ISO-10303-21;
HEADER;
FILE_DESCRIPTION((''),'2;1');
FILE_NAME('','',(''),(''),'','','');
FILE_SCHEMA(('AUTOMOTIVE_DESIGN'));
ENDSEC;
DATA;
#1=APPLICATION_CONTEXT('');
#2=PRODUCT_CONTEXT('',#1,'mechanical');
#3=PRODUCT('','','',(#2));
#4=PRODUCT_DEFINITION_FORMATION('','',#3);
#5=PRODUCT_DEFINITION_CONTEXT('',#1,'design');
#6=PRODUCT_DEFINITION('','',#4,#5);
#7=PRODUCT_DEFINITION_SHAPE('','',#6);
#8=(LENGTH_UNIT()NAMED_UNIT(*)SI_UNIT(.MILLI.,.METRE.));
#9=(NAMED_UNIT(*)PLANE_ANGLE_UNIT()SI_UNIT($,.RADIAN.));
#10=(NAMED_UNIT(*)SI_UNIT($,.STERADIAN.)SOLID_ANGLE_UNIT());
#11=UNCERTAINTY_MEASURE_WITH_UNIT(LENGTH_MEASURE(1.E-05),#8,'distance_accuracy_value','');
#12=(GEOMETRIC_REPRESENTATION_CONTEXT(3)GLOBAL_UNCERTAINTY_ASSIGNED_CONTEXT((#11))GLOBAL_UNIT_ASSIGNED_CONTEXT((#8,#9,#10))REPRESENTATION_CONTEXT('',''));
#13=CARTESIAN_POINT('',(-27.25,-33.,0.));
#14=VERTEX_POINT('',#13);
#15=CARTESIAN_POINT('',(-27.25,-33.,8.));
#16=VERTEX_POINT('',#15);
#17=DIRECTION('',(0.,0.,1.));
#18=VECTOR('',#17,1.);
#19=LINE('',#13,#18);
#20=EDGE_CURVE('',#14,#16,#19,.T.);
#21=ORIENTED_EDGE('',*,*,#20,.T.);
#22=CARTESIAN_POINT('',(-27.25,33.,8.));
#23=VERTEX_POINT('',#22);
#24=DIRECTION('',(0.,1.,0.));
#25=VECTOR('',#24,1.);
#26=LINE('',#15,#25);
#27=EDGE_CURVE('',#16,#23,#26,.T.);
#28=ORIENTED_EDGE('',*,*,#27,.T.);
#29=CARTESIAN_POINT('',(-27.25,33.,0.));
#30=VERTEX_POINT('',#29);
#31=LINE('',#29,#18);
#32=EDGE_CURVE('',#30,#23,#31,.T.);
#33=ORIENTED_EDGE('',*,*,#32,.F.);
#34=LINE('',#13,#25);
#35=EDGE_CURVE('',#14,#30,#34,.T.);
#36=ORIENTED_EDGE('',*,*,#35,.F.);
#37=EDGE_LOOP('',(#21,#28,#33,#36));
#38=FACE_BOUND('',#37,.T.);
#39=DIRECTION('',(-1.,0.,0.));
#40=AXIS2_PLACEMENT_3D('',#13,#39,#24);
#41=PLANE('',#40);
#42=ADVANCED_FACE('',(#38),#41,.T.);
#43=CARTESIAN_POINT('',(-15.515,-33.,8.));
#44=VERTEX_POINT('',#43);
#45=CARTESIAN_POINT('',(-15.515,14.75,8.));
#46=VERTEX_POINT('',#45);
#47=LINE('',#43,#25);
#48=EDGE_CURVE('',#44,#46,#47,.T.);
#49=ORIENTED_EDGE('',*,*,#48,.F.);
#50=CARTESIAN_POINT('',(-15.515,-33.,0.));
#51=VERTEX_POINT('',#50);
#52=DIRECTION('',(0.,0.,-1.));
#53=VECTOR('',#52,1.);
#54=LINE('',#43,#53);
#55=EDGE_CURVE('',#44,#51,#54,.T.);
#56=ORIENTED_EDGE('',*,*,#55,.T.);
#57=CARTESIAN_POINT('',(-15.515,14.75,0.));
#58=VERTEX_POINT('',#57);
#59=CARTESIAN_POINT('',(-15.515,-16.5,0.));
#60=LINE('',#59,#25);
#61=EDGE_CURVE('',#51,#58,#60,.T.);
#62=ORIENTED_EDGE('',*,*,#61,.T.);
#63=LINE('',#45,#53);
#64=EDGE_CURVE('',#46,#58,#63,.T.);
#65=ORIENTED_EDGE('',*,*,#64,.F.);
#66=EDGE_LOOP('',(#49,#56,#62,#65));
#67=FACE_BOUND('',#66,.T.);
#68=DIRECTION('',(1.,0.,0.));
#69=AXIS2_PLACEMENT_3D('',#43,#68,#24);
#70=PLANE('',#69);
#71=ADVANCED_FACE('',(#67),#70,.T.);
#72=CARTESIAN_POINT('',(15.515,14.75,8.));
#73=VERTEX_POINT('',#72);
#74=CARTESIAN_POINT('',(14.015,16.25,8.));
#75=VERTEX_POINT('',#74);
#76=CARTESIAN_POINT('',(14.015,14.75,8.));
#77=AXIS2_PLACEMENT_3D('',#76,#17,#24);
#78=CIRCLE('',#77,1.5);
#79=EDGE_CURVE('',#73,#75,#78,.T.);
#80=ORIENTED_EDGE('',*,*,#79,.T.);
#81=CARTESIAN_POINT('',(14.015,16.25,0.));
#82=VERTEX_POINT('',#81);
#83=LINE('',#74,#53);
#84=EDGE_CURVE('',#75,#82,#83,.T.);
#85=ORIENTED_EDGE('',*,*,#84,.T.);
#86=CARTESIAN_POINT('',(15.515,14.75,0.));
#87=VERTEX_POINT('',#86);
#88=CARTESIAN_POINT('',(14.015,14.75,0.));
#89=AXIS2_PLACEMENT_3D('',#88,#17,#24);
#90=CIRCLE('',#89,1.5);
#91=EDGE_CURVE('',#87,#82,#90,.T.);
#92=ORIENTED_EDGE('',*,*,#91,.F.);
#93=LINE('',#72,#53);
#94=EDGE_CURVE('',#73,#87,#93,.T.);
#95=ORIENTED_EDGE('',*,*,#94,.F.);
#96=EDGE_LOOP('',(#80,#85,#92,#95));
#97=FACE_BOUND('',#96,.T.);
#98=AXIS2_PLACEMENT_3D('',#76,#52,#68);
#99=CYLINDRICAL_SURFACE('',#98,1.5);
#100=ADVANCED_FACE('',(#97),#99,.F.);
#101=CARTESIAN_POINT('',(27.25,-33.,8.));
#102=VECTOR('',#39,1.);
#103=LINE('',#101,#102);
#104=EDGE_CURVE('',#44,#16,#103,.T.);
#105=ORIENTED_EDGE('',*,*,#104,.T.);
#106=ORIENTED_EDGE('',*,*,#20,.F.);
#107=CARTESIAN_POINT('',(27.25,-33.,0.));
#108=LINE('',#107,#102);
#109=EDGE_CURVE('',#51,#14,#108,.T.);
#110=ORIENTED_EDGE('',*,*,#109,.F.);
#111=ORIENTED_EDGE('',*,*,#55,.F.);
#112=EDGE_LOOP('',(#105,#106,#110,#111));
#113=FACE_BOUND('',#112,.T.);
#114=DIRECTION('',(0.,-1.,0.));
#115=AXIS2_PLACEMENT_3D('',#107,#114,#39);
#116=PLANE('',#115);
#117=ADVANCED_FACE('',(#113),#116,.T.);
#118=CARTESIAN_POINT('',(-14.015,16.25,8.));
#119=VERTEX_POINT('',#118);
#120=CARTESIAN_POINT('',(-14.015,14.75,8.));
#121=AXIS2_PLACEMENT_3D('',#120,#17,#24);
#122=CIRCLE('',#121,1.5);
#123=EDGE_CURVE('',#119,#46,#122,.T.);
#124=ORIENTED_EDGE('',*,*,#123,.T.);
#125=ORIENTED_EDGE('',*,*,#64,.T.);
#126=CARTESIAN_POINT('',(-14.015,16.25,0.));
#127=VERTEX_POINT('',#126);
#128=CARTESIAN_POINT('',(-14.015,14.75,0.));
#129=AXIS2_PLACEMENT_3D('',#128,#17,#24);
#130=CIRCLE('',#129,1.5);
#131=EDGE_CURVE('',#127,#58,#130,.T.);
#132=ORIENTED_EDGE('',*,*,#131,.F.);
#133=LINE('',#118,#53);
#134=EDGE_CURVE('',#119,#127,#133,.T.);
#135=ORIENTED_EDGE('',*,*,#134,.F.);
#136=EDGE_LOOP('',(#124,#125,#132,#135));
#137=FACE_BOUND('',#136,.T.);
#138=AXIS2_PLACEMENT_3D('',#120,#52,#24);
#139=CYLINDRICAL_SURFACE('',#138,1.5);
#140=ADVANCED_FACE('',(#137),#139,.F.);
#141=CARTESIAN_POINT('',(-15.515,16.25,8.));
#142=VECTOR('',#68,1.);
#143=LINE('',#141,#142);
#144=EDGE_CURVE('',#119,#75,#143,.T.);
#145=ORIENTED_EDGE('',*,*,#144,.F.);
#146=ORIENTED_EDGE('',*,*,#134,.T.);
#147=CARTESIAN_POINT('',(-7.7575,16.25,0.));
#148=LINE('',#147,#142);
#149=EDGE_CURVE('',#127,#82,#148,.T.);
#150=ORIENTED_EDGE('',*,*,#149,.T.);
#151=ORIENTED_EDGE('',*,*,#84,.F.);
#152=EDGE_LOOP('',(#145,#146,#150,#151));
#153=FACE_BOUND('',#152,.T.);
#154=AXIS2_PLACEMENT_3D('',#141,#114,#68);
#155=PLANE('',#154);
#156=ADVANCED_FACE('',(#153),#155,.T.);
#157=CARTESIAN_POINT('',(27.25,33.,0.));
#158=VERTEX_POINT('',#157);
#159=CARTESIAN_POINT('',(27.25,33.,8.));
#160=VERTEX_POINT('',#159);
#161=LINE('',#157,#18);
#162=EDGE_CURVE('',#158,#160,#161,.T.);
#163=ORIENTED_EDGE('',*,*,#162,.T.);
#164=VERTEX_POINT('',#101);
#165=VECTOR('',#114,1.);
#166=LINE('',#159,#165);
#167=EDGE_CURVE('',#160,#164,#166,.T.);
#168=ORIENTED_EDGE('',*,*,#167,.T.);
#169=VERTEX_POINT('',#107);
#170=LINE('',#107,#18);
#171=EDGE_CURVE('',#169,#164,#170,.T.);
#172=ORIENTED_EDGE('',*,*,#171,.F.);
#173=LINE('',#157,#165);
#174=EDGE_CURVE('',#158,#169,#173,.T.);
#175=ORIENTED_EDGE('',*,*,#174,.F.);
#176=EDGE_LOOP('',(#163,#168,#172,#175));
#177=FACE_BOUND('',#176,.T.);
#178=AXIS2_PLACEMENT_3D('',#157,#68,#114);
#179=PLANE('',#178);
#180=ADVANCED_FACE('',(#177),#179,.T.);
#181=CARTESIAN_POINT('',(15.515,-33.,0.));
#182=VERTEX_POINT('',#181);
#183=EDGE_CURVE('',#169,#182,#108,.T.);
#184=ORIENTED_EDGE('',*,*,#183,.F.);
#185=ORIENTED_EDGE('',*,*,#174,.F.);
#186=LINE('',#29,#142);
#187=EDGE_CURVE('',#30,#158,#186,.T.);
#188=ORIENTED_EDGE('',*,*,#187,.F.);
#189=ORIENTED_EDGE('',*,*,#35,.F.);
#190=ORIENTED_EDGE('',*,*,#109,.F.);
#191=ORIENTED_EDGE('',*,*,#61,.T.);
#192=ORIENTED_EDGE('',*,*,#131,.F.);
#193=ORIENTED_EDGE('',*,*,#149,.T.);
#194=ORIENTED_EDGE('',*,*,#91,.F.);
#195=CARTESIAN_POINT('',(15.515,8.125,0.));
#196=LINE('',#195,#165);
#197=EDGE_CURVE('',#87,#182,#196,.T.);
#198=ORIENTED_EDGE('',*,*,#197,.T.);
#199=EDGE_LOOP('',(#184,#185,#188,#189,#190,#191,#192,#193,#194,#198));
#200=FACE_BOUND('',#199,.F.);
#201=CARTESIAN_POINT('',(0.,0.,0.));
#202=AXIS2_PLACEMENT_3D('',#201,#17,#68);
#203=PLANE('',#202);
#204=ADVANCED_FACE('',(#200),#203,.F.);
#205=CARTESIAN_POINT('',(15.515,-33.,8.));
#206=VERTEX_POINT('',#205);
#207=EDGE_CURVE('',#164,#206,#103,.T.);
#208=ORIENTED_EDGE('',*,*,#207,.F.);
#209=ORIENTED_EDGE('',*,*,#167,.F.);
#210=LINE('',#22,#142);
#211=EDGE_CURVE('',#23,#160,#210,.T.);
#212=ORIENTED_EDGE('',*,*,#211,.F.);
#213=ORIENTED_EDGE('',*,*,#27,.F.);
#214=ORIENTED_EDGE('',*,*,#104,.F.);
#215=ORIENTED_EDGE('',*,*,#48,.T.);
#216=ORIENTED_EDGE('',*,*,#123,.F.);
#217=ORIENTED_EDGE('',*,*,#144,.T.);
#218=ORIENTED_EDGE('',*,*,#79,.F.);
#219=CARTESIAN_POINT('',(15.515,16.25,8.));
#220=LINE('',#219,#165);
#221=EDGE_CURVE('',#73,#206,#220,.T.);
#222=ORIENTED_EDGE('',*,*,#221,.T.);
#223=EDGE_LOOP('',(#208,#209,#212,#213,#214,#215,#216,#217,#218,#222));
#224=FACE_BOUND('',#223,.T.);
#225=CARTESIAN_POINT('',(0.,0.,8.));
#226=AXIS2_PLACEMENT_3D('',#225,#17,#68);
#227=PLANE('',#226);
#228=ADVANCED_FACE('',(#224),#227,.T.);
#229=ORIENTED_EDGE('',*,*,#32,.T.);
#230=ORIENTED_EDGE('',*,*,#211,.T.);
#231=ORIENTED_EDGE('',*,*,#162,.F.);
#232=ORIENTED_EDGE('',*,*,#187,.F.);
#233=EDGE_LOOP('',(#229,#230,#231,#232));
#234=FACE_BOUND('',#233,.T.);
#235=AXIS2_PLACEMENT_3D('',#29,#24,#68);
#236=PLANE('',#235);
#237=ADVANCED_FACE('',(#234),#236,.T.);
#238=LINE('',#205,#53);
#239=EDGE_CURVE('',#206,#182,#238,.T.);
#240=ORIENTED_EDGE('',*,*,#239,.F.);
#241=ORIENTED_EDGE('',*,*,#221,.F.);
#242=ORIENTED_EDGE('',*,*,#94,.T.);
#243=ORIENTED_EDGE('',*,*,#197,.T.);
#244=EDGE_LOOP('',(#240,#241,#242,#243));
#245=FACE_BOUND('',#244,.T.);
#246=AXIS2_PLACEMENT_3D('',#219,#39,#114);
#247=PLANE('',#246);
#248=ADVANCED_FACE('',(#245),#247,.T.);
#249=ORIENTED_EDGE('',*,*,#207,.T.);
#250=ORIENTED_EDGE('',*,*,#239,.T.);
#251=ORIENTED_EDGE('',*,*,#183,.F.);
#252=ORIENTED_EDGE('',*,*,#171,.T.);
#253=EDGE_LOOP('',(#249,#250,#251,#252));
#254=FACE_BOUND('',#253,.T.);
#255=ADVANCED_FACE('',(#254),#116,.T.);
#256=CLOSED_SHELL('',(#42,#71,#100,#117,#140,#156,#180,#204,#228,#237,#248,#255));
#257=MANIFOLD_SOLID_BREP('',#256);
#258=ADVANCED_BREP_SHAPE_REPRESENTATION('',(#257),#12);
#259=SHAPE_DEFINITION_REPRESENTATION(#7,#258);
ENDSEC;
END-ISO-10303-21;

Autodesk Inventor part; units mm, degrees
ref_plane "YZ Plane" through (0, 0, 0) normal (1, 0, 0) x (0, 1, 0)
ref_plane "XZ Plane" through (0, 0, 0) normal (0, 1, 0) x (-1, 0, 0)
ref_plane "XY Plane" through (0, 0, 0) normal (0, 0, 1) x (1, 0, 0)
sketch "Sketch1" plane through (0, 0, 0) normal (0, 0, 1) x (1, 0, 0)
  line L0 (-27.25, 33) -> (27.25, 33)
  line L1 (27.25, 33) -> (27.25, -33)
  line L2 (27.25, -33) -> (-27.25, -33)
  line L3 (-27.25, -33) -> (-27.25, 33)
  point P0 (0, 0)
  point P1 (0, 33)
  point P2 (-27.25, 0)
  dimension "d0" = 54.5
  dimension "d1" = 66
extrude "Extrusion1" add sketch "Sketch1" along normal blind 8
sketch "Sketch2" plane through (0, 0, 8) normal (0, 0, 1) x (1, 0, 0)
  line L0 (27.25, 33) -> (-27.25, 33) projected
  line L1 (-27.25, 33) -> (-27.25, -33) projected
  line L2 (-7.6866, 14.25) -> (7.6866, 14.25) projected
  line L3 (-12.41, -5.57) -> (-12.41, -14.27) projected
  line L4 (-13.515, -31) -> (-13.515, 8.4216) projected
  line L5 (13.515, 8.4216) -> (13.515, -31) projected
  line L6 (-27.25, -33) -> (27.25, -33) projected
  line L7 (-15.515, 16.25) -> (15.515, 16.25)
  line L8 (15.515, 16.25) -> (15.515, -33)
  line L9 (15.515, -33) -> (-15.515, -33)
  line L10 (-15.515, -33) -> (-15.515, 16.25)
  line L11 (-27.25, -33) -> (27.25, -33) projected
  point P0 (-27.25, 0)
  dimension "d29" = 2
  dimension "d30" = 2
  dimension "d32" = 2
extrude "Extrusion2" cut sketch "Sketch2" against normal through all
fillet "Fillet1" radius 1.5 2 edges at (-15.515, 16.25, 4) (15.515, 16.25, 4)
equation "\"d32\" = d30"
properties part number "0005-10-026 Suport DC in" material "Wood (Cherry)"
